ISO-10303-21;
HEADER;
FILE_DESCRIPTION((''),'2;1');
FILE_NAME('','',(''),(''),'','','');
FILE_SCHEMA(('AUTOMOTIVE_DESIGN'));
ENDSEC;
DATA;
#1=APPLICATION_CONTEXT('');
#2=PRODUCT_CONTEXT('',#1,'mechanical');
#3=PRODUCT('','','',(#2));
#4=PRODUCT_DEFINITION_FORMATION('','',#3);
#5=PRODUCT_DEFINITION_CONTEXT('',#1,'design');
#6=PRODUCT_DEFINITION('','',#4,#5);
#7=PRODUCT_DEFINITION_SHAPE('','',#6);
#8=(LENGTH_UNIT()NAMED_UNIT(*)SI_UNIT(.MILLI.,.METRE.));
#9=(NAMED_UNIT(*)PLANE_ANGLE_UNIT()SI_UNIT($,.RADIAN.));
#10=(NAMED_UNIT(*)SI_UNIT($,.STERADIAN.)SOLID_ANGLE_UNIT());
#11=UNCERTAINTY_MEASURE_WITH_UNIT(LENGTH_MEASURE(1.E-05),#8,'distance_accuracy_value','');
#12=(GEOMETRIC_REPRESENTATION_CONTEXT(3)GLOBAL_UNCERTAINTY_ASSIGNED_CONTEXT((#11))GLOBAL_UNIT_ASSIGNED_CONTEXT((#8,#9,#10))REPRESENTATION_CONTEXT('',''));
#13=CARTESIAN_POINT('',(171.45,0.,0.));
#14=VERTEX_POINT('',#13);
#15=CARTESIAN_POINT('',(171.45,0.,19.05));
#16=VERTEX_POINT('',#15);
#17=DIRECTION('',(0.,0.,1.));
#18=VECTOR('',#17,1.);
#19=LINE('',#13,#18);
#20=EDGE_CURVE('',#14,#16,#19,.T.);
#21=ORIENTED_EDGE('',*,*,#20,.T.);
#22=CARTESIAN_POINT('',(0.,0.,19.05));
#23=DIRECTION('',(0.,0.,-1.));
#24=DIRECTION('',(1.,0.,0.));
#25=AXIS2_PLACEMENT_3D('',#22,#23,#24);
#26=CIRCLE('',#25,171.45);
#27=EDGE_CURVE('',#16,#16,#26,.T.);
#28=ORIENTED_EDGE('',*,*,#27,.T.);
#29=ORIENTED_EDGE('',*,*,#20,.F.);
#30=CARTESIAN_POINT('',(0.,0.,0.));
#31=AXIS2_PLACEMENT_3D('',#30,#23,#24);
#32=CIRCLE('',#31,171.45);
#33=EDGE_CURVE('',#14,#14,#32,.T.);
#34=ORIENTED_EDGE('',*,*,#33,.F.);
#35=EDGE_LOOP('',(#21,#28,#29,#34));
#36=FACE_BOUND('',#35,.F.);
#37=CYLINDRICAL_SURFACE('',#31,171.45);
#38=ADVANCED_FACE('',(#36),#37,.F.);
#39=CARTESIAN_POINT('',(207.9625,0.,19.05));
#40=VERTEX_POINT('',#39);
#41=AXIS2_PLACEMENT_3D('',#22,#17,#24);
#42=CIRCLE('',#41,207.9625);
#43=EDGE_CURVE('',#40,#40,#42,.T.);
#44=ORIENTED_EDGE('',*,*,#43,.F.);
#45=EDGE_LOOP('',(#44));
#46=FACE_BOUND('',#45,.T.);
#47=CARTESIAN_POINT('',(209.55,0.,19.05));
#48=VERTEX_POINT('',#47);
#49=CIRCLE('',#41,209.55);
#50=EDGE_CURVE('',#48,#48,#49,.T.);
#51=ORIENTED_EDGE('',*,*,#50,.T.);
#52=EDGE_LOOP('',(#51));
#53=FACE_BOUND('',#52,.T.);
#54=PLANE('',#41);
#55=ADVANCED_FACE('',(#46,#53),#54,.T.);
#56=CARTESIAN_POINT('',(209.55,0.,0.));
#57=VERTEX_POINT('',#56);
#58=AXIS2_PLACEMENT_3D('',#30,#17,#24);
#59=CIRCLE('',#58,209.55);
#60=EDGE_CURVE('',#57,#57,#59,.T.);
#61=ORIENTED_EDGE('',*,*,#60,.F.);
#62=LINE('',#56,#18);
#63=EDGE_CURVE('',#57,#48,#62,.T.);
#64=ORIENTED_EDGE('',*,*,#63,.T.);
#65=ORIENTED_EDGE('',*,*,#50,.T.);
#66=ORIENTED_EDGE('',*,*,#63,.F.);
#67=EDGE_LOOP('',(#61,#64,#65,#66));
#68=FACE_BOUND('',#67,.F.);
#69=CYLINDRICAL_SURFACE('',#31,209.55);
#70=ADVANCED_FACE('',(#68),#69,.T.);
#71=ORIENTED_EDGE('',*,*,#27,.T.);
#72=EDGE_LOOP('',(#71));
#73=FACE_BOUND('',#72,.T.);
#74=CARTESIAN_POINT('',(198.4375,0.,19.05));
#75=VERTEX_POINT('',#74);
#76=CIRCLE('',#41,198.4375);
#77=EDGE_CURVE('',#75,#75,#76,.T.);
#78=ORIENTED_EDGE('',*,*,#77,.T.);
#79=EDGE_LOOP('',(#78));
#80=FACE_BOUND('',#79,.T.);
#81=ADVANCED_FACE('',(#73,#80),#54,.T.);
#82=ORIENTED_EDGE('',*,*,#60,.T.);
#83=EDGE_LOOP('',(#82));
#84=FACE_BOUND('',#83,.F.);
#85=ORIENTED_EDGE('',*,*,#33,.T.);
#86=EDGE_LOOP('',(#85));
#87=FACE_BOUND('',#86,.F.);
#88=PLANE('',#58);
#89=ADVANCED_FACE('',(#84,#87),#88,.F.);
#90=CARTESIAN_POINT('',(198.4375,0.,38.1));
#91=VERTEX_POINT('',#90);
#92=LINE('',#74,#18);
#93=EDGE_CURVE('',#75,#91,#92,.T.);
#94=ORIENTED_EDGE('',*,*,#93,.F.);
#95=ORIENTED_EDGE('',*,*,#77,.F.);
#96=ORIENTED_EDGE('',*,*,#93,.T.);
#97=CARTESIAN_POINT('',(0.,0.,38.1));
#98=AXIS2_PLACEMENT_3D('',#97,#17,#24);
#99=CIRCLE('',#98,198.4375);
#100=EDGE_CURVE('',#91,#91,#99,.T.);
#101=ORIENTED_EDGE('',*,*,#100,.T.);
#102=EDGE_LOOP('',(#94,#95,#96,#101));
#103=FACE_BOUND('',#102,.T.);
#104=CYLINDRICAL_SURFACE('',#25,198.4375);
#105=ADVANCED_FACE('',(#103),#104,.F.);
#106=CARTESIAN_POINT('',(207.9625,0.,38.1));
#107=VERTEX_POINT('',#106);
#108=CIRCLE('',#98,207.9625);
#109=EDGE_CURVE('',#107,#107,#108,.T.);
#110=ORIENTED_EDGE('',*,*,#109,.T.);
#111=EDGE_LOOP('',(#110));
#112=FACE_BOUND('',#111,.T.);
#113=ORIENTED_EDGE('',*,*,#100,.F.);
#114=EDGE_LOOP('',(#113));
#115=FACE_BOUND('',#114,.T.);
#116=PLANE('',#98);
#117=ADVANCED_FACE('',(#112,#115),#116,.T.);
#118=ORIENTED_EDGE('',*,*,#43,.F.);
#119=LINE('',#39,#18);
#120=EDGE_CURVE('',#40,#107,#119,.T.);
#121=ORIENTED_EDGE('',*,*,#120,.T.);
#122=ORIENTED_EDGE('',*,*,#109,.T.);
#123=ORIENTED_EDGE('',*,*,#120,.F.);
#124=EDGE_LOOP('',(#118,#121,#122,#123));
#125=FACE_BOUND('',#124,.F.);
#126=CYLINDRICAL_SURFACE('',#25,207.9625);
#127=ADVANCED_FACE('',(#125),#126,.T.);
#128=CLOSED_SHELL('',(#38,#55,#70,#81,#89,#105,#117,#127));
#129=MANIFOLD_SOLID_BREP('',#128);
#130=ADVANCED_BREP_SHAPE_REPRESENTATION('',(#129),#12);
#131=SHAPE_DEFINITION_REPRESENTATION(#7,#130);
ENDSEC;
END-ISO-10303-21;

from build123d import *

# Parameters (mm, degrees)
F0_R     = 209.55
F1_DEPTH = 19.05
F2_R     = 171.45
F3_DEPTH = 25.4
F4_R     = 207.9625
F4_R_2   = 198.4375
F5_DEPTH = 19.05


with BuildPart() as f1:
    # F0 (on Top) → F1 (new body)
    with BuildSketch(Plane.XY):
        Circle(F0_R)
    extrude(amount=F1_DEPTH)

    # F2 (on face) → F3 (cut)
    with BuildSketch(Plane(origin=(0, 0, 0), x_dir=(1, 0, 0), z_dir=(0, 0, -1))):
        Circle(F2_R)
    extrude(amount=-F3_DEPTH, mode=Mode.SUBTRACT)

    # F4 (on face) → F5 (join)
    with BuildSketch(Plane.XY.offset(19.05)):
        Circle(F4_R)
        Circle(F4_R_2, mode=Mode.SUBTRACT)
    extrude(amount=F5_DEPTH)


solid = f1.part
